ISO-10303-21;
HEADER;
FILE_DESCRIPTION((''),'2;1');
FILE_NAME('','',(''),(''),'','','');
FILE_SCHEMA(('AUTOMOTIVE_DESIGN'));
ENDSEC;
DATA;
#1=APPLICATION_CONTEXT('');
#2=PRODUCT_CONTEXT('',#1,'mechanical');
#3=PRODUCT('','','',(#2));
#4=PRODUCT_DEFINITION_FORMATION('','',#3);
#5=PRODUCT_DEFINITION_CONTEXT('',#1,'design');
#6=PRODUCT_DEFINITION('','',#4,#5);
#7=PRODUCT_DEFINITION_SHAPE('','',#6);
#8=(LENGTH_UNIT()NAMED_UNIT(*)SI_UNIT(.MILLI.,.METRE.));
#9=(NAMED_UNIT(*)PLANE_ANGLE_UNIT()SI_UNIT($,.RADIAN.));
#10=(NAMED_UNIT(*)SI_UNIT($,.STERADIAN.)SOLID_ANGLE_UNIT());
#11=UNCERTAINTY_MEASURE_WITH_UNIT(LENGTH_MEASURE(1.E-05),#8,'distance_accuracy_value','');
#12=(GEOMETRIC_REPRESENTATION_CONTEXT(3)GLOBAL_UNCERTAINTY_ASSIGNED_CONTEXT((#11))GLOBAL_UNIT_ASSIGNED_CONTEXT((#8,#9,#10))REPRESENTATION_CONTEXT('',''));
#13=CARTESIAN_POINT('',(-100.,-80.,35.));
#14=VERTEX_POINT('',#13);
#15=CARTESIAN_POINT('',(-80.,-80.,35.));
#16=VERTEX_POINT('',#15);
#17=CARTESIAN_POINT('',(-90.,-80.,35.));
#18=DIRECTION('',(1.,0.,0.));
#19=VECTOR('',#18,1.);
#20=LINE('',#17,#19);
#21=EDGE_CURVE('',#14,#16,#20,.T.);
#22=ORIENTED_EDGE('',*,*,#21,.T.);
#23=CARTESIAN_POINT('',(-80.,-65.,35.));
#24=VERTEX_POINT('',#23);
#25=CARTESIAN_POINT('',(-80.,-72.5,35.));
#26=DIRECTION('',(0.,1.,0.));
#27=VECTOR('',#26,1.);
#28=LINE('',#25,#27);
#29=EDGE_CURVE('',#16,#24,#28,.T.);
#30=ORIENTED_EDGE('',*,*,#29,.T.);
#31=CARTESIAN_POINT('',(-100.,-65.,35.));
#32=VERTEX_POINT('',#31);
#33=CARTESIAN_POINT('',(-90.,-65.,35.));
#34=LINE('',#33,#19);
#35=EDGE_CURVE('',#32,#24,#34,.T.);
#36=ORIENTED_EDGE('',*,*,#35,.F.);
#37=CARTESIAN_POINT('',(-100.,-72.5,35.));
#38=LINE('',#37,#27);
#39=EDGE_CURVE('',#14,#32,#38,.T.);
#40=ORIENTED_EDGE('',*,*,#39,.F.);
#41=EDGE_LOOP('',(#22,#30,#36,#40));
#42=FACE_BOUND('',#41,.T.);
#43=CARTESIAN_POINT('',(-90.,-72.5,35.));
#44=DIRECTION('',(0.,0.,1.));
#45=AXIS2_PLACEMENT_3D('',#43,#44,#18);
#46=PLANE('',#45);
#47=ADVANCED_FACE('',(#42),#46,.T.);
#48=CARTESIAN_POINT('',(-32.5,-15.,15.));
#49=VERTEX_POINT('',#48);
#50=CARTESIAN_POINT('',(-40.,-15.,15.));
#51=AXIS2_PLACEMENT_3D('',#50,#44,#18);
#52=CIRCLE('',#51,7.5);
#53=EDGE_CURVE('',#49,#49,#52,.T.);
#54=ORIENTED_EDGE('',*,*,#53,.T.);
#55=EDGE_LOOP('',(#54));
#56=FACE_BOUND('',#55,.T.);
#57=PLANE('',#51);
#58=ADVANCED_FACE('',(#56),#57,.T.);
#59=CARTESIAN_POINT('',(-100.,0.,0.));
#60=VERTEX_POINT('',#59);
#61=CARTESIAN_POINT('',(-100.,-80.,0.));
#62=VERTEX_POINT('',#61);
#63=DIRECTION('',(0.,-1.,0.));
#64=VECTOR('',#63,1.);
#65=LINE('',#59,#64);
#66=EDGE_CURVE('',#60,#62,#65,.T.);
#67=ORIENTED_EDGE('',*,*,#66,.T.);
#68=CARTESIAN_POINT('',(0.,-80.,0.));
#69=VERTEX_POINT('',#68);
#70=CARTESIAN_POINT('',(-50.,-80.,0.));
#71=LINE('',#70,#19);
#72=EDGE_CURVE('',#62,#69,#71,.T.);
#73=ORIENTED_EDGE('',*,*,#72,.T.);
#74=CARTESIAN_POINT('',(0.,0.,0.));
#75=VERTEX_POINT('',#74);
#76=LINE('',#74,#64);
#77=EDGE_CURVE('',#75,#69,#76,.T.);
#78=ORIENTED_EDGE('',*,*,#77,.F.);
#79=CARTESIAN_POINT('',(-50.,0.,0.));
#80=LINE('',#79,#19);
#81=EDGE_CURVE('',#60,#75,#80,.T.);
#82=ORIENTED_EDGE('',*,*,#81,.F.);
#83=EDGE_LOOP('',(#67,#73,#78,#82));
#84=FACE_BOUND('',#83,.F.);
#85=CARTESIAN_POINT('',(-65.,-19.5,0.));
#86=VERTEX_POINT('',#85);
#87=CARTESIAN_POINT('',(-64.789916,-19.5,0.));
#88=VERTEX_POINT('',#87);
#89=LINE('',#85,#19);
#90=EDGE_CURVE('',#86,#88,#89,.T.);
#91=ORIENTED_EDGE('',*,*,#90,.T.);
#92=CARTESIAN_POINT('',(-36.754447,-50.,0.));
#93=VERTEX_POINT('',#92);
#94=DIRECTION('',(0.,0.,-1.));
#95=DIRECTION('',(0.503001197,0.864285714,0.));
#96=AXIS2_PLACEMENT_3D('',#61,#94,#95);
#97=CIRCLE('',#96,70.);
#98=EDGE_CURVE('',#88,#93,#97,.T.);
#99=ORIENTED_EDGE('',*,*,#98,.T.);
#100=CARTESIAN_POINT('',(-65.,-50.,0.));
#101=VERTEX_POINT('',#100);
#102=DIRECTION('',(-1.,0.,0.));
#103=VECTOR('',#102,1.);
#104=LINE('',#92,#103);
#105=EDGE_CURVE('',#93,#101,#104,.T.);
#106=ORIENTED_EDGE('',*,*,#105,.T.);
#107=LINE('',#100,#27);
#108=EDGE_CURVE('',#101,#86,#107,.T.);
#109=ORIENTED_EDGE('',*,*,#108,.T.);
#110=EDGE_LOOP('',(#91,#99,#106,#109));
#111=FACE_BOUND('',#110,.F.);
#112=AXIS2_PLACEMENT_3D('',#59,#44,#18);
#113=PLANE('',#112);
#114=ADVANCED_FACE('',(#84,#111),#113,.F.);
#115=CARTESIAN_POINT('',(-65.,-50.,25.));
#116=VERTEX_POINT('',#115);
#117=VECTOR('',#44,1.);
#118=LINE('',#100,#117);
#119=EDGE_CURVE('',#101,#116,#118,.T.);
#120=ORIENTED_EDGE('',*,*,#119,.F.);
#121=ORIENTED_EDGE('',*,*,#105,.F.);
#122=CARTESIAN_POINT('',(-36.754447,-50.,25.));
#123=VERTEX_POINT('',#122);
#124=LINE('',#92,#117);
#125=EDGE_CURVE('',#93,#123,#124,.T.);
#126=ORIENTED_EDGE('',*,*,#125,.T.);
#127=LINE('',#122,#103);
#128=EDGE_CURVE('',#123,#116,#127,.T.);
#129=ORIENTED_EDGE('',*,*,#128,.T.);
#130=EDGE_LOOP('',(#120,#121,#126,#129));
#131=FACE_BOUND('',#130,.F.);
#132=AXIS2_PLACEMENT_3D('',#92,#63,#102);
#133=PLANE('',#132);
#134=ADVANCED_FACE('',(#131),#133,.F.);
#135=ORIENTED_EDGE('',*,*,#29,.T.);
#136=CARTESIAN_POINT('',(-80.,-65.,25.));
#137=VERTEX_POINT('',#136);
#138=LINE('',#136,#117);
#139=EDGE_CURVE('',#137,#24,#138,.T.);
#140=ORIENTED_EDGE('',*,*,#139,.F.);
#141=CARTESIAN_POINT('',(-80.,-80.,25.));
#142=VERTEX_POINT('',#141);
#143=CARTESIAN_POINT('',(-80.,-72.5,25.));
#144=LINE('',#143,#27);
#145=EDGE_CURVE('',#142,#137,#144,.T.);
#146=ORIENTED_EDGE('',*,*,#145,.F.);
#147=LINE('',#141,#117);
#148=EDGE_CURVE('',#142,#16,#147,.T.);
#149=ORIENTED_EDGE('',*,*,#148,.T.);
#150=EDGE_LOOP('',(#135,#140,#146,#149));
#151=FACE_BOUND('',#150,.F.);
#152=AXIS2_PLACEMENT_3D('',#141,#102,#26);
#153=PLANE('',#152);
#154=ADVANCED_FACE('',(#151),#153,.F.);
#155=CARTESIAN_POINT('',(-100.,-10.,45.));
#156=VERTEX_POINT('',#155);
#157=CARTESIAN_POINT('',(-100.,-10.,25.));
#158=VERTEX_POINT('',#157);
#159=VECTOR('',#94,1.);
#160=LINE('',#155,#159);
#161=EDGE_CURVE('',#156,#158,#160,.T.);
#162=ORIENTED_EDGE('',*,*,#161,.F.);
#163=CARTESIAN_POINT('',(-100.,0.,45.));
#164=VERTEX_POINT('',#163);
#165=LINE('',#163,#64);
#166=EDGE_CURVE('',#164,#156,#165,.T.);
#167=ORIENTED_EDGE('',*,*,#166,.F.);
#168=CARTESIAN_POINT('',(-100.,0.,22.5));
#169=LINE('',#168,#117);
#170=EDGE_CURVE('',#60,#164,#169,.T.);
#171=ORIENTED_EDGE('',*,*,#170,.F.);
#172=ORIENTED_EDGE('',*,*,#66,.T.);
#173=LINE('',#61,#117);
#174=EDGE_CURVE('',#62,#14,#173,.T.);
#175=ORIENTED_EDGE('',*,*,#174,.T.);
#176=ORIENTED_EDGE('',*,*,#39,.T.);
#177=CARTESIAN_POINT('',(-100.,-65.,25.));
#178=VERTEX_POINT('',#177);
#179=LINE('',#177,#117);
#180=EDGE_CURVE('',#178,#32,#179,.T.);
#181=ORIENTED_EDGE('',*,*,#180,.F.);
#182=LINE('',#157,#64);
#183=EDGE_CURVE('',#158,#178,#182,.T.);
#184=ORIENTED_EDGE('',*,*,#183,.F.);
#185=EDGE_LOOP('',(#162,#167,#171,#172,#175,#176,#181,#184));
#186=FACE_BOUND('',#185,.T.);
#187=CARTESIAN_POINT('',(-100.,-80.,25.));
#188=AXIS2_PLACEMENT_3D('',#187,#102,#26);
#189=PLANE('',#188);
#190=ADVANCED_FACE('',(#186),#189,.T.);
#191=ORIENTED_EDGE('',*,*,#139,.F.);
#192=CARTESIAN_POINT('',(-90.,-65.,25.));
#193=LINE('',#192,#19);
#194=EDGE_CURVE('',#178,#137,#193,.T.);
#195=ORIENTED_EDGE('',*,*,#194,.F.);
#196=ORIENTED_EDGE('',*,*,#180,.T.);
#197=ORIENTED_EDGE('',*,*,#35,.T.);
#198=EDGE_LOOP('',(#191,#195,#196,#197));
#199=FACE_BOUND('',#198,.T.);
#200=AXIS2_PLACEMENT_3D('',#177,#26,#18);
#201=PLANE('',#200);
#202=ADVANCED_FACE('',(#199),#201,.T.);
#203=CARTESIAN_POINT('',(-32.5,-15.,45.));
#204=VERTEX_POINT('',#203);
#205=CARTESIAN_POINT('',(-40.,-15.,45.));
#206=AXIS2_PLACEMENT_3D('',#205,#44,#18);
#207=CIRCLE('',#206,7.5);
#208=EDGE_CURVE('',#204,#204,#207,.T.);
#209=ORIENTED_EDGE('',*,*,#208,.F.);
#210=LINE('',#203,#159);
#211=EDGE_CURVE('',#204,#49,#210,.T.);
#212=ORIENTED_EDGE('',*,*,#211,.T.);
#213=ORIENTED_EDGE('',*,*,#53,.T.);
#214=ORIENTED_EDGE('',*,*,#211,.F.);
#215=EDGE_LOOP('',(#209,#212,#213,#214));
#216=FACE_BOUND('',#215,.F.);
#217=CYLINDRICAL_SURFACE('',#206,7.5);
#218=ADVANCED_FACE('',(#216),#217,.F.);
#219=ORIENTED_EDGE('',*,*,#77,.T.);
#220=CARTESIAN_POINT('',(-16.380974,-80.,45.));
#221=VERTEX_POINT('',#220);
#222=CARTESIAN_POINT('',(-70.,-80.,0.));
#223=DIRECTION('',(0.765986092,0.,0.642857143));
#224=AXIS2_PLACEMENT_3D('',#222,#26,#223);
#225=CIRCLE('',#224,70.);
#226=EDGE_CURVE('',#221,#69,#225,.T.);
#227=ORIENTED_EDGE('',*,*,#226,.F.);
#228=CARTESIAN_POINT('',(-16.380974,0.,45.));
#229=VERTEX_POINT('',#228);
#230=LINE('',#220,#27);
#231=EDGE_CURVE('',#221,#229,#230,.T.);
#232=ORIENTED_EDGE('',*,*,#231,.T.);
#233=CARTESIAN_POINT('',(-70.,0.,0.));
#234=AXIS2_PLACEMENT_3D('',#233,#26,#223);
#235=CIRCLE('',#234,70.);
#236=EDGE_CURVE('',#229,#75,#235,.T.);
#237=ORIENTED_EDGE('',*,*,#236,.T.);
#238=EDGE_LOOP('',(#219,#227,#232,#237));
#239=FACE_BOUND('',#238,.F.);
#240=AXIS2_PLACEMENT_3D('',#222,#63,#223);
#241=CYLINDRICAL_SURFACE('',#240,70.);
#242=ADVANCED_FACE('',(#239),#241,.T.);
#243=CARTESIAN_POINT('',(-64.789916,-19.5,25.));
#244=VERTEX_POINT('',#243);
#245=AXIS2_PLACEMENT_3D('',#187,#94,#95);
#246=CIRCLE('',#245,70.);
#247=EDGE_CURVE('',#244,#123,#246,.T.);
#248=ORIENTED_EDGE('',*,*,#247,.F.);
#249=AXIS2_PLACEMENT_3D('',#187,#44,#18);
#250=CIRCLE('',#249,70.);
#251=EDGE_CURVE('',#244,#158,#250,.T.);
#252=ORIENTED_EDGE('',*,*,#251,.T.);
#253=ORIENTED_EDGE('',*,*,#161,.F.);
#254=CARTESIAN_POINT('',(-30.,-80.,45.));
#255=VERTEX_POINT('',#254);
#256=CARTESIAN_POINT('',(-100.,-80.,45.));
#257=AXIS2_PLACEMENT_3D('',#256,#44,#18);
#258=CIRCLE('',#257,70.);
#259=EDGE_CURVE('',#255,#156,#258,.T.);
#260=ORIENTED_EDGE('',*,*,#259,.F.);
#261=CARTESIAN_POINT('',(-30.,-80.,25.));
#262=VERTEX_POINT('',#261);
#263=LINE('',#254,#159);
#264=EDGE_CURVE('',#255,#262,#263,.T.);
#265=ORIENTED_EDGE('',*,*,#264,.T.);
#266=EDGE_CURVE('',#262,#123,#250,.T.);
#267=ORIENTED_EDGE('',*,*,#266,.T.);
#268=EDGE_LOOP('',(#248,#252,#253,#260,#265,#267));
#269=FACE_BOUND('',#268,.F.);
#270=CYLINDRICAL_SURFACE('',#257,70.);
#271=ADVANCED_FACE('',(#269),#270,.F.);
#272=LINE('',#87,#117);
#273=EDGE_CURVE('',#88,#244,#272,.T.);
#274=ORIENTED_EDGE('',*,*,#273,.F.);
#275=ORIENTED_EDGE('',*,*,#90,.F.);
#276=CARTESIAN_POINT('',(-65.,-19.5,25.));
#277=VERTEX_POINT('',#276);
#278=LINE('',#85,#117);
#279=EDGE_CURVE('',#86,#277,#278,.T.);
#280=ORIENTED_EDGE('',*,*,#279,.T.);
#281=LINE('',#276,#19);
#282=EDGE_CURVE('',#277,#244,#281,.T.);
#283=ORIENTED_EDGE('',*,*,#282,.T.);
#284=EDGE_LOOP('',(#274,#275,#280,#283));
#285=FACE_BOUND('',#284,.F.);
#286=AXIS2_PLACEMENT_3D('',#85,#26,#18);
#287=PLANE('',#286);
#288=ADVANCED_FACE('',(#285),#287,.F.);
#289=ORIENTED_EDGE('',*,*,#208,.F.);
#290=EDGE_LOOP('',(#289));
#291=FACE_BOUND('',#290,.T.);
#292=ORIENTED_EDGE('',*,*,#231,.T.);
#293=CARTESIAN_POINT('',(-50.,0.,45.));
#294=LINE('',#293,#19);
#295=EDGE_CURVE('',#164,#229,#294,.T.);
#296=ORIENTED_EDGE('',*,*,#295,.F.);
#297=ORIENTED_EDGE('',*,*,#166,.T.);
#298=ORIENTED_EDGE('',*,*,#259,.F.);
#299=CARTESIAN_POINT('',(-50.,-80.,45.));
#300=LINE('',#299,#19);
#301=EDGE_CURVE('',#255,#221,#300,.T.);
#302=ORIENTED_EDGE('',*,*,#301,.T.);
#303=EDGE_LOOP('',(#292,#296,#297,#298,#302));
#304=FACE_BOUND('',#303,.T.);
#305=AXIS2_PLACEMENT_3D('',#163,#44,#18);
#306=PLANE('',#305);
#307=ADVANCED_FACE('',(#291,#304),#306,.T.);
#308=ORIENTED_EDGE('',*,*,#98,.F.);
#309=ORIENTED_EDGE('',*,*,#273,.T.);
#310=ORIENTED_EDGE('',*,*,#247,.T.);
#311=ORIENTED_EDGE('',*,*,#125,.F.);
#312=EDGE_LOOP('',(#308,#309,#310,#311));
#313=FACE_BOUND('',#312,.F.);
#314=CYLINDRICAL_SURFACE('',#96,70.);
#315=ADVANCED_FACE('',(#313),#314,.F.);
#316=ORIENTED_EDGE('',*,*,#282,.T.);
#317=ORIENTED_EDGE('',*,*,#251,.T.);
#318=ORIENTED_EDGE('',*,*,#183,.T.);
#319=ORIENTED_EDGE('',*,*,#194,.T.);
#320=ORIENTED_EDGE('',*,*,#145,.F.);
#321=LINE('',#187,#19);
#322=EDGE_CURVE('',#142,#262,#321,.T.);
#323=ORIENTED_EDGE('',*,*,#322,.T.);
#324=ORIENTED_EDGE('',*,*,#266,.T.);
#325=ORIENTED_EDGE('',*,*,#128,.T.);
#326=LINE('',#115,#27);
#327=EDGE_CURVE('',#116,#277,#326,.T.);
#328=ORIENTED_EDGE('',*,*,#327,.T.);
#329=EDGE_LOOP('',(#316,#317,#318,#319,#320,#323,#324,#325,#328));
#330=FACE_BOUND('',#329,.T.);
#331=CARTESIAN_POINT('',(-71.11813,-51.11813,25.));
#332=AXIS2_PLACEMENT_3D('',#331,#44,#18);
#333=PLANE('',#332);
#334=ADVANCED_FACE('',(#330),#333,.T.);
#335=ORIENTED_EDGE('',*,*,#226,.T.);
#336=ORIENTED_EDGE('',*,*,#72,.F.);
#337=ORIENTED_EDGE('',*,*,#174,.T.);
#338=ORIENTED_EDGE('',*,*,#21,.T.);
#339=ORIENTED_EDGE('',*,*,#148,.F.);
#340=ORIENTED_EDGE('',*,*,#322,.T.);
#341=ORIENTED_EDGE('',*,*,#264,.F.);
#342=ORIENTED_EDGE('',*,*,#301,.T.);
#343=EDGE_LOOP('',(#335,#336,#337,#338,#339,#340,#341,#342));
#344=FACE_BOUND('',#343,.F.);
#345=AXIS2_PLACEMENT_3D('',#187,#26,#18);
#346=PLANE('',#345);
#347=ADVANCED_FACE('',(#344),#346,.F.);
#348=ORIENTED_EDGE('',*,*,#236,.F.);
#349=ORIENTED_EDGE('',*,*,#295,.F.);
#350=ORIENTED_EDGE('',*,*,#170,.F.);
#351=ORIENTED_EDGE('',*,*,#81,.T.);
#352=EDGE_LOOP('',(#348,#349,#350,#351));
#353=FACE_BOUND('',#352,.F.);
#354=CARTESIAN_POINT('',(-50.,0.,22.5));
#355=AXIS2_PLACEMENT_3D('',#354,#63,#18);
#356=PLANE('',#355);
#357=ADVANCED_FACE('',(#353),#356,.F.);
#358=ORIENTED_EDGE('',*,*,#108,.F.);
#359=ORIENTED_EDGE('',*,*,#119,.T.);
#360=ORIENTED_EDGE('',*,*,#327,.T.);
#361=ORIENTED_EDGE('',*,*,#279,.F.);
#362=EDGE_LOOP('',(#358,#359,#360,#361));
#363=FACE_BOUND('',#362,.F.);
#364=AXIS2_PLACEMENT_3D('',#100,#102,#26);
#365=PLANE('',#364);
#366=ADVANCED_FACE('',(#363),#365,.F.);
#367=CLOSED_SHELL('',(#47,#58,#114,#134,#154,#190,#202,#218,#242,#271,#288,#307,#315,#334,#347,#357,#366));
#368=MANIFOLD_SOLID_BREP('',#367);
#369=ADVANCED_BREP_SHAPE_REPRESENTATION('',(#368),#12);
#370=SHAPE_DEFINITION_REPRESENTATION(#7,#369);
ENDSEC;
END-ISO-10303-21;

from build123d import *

# Parameters (mm, degrees)
F0_W      = 100
F0_H      = 45
F1_DEPTH  = 80
F3_DEPTH  = 80
F5_DEPTH  = 20
F6_W      = 20
F6_H      = 15
F7_DEPTH  = 10
F8_R      = 7.5
F9_DEPTH  = 30
F11_DEPTH = 25


with BuildPart() as f1:
    # F0 (on Front) → F1 (new body)
    with BuildSketch(Plane.XZ):
        with Locations((-50, 22.5)):
            Rectangle(F0_W, F0_H)
    extrude(amount=F1_DEPTH)

    # F2 (on face) → F3 (cut, through all)
    with BuildSketch(Plane.XZ.offset(80)):
        with BuildLine():
            ThreePointArc((-16.3809735262, 45), (-4.2226032243, 23.944395449), (0, 0))
            Line((0, 0), (0, 45))
            Line((0, 45), (-16.3809735262, 45))
        make_face()
    extrude(amount=-F3_DEPTH, mode=Mode.SUBTRACT)

    # F4 (on face) → F5 (cut)
    with BuildSketch(Plane.XY.offset(45)):
        with BuildLine():
            Line((-100, -80), (-30, -80))
            ThreePointArc((-30, -80), (-50.5025253169, -30.5025253169), (-100, -10))
            Line((-100, -10), (-100, -80))
        make_face()
    extrude(amount=-F5_DEPTH, mode=Mode.SUBTRACT)

    # F6 (on face) → F7 (join)
    with BuildSketch(Plane.XY.offset(25)):
        with Locations((-90, -72.5)):
            Rectangle(F6_W, F6_H)
    extrude(amount=F7_DEPTH)

    # F8 (on face) → F9 (cut)
    with BuildSketch(Plane.XY.offset(45)):
        with Locations((-40, -15)):
            Circle(F8_R)
    extrude(amount=-F9_DEPTH, mode=Mode.SUBTRACT)

    # F10 (on face) → F11 (cut)
    with BuildSketch(Plane(origin=(0, 0, 0), x_dir=(1, 0, 0), z_dir=(0, 0, -1))):
        with BuildLine():
            Line((-36.7544467966, 50), (-65, 50))
            Line((-65, 50), (-65, 19.5))
            Line((-65, 19.5), (-64.7899162171, 19.5))
            ThreePointArc((-64.7899162171, 19.5), (-48.4641812562, 32.6284960508), (-36.7544467966, 50))
        make_face()
    extrude(amount=-F11_DEPTH, mode=Mode.SUBTRACT)


solid = f1.part
